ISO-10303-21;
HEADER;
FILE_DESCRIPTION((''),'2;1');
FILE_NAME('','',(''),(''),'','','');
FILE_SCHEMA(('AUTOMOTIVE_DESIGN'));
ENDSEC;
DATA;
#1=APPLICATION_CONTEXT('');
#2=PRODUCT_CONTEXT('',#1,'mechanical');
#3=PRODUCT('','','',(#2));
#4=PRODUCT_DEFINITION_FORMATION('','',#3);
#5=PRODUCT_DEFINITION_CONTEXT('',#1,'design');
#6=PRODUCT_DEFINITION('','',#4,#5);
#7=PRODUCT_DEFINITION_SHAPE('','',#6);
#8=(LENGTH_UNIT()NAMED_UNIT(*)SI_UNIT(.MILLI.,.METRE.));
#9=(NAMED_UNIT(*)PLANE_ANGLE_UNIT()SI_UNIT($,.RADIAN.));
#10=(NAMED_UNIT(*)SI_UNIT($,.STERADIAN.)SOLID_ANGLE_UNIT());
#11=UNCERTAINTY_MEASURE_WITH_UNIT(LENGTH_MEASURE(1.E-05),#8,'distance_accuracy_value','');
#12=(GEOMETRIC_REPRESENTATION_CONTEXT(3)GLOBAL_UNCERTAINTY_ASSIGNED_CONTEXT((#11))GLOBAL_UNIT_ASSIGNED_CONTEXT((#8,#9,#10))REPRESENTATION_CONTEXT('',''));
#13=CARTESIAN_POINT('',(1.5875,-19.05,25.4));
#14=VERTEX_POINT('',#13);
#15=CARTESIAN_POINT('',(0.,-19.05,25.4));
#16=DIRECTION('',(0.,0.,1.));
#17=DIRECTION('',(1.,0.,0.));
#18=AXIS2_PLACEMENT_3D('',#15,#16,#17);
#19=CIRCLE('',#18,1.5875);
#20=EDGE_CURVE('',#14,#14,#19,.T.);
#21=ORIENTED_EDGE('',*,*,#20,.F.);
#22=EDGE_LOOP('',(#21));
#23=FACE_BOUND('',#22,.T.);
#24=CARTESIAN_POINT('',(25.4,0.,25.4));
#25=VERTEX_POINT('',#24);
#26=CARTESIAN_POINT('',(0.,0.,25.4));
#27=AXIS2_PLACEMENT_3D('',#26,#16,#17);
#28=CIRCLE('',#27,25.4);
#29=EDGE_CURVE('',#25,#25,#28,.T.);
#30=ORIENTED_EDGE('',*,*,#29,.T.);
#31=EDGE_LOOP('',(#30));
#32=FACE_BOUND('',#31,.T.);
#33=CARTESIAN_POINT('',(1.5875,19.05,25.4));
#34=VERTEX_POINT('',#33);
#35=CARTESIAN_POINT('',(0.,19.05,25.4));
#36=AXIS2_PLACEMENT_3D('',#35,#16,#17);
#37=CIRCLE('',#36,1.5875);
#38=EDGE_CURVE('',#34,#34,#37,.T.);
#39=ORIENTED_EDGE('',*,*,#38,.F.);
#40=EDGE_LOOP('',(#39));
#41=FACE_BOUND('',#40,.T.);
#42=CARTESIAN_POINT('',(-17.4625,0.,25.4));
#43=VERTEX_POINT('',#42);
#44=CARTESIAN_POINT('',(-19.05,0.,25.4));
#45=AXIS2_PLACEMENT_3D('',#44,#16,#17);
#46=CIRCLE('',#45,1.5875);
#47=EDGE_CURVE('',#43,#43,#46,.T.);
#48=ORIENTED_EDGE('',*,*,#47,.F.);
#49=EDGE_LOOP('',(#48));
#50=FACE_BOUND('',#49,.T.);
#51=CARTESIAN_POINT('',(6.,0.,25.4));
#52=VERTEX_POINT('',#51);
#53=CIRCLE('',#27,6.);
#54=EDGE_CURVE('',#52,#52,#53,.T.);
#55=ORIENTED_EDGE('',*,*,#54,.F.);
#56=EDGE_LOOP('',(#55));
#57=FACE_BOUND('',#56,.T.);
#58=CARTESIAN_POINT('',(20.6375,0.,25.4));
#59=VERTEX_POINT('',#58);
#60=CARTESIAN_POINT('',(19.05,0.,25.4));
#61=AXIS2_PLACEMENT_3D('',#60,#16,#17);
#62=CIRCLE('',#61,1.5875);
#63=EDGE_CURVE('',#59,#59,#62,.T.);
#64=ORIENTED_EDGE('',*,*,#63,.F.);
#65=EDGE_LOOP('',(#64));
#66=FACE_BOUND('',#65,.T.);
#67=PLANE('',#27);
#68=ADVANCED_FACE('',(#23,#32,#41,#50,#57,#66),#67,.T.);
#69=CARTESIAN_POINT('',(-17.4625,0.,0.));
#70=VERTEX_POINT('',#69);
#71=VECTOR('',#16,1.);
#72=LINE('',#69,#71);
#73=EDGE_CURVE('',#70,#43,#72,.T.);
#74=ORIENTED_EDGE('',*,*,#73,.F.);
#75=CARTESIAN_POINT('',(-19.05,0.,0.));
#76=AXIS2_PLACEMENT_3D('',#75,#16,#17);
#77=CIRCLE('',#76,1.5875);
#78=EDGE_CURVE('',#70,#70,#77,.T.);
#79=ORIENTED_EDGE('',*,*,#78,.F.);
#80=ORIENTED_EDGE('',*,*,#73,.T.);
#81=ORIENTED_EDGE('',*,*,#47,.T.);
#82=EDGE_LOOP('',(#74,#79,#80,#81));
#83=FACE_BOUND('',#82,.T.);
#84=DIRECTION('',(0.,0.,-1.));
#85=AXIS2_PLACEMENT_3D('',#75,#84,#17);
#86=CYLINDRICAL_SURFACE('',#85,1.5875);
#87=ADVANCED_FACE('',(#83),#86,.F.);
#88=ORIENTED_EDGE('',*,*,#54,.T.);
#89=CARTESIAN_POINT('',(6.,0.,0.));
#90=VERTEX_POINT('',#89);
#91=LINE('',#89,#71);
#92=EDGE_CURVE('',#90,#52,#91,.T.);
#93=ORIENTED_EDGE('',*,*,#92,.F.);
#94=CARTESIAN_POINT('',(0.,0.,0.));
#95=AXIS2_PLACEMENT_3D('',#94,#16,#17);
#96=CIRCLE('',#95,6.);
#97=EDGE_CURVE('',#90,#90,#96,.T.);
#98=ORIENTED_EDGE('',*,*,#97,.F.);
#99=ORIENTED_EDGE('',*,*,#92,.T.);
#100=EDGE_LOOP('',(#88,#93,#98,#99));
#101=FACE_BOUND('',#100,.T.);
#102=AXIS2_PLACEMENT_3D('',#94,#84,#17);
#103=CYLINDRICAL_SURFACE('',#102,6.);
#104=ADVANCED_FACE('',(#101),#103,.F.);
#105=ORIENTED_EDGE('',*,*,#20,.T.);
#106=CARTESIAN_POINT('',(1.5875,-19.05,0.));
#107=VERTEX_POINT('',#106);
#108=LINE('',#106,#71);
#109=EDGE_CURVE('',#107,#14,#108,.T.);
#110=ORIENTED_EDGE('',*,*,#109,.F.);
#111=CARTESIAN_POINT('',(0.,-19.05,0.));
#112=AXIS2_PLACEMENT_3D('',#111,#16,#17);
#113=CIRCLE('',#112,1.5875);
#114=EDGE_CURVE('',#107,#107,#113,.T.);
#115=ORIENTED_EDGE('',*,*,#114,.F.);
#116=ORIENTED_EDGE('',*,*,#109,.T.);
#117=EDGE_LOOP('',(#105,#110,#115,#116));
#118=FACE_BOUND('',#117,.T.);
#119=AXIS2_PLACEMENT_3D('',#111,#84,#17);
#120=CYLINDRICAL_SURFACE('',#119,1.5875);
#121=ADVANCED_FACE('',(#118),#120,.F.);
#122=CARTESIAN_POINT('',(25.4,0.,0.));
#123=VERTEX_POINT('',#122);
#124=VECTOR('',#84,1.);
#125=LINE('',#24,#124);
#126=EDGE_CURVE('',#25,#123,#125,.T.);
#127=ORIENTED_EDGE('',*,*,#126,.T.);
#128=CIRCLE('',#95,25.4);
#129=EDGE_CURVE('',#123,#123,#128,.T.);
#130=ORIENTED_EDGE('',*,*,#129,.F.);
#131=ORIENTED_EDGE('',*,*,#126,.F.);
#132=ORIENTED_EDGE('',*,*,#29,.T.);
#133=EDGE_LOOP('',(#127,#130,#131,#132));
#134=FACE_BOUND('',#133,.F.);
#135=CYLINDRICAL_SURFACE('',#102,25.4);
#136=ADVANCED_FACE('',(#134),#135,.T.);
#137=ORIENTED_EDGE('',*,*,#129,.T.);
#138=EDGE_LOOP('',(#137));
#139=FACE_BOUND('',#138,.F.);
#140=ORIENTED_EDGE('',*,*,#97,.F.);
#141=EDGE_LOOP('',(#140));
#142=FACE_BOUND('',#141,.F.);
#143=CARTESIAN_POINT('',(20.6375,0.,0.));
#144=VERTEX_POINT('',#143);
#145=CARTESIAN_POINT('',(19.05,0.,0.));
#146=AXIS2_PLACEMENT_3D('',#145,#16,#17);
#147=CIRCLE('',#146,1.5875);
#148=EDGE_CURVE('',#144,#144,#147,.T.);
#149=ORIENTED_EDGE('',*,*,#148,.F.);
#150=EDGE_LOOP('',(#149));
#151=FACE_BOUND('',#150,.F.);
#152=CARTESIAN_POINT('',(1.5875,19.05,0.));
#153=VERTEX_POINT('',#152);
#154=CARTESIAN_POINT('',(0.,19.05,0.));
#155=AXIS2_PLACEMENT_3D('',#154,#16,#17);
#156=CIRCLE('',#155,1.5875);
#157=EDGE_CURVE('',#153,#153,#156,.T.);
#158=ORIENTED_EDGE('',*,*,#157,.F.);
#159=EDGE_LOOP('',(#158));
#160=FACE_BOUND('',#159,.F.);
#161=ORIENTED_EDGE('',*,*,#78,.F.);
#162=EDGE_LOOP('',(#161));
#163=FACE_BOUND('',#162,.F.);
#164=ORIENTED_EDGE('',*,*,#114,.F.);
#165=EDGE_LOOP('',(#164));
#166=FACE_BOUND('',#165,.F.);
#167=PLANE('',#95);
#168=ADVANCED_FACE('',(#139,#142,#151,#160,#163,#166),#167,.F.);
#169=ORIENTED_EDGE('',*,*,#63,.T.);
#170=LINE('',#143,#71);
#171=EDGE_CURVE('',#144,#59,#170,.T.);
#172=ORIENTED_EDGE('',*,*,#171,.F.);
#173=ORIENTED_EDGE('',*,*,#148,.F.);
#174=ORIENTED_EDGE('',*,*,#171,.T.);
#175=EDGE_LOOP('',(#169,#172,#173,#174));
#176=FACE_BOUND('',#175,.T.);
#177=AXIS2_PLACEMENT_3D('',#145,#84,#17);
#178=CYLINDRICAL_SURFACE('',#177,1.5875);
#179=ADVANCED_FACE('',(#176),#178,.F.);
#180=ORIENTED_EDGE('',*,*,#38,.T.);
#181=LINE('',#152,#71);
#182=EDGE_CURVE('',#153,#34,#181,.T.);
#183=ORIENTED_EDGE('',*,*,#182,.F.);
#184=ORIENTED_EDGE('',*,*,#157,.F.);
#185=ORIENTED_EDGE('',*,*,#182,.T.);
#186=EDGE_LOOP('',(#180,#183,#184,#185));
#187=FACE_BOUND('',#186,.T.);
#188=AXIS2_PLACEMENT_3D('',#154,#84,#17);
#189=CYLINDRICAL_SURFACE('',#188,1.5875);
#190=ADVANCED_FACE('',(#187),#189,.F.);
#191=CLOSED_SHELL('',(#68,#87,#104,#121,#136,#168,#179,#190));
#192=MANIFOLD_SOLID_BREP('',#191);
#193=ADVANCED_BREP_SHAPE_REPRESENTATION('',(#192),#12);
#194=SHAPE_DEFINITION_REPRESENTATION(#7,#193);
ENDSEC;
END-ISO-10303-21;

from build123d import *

# Parameters (mm, degrees)
F0_R     = 25.4
F0_R_2   = 1.5875
F0_R_3   = 6
F1_DEPTH = 19.05
F2_DEPTH = 25.4


with BuildPart() as f1:
    # F0 (on Top) → F1 (new body)
    with BuildSketch(Plane.XY):
        Circle(F0_R)
        with Locations((0, -19.05)):
            Circle(F0_R_2, mode=Mode.SUBTRACT)
        with Locations((-19.05, 0)):
            Circle(F0_R_2, mode=Mode.SUBTRACT)
        Circle(F0_R_3, mode=Mode.SUBTRACT)
        with Locations((19.05, 0)):
            Circle(F0_R_2, mode=Mode.SUBTRACT)
        with Locations((0, 19.05)):
            Circle(F0_R_2, mode=Mode.SUBTRACT)
    extrude(amount=F1_DEPTH)

    # F0 (on Top) → F2 (join)
    with BuildSketch(Plane.XY):
        Circle(F0_R)
        with Locations((0, -19.05)):
            Circle(F0_R_2, mode=Mode.SUBTRACT)
        with Locations((-19.05, 0)):
            Circle(F0_R_2, mode=Mode.SUBTRACT)
        Circle(F0_R_3, mode=Mode.SUBTRACT)
        with Locations((19.05, 0)):
            Circle(F0_R_2, mode=Mode.SUBTRACT)
        with Locations((0, 19.05)):
            Circle(F0_R_2, mode=Mode.SUBTRACT)
    extrude(amount=F2_DEPTH)


solid = f1.part
